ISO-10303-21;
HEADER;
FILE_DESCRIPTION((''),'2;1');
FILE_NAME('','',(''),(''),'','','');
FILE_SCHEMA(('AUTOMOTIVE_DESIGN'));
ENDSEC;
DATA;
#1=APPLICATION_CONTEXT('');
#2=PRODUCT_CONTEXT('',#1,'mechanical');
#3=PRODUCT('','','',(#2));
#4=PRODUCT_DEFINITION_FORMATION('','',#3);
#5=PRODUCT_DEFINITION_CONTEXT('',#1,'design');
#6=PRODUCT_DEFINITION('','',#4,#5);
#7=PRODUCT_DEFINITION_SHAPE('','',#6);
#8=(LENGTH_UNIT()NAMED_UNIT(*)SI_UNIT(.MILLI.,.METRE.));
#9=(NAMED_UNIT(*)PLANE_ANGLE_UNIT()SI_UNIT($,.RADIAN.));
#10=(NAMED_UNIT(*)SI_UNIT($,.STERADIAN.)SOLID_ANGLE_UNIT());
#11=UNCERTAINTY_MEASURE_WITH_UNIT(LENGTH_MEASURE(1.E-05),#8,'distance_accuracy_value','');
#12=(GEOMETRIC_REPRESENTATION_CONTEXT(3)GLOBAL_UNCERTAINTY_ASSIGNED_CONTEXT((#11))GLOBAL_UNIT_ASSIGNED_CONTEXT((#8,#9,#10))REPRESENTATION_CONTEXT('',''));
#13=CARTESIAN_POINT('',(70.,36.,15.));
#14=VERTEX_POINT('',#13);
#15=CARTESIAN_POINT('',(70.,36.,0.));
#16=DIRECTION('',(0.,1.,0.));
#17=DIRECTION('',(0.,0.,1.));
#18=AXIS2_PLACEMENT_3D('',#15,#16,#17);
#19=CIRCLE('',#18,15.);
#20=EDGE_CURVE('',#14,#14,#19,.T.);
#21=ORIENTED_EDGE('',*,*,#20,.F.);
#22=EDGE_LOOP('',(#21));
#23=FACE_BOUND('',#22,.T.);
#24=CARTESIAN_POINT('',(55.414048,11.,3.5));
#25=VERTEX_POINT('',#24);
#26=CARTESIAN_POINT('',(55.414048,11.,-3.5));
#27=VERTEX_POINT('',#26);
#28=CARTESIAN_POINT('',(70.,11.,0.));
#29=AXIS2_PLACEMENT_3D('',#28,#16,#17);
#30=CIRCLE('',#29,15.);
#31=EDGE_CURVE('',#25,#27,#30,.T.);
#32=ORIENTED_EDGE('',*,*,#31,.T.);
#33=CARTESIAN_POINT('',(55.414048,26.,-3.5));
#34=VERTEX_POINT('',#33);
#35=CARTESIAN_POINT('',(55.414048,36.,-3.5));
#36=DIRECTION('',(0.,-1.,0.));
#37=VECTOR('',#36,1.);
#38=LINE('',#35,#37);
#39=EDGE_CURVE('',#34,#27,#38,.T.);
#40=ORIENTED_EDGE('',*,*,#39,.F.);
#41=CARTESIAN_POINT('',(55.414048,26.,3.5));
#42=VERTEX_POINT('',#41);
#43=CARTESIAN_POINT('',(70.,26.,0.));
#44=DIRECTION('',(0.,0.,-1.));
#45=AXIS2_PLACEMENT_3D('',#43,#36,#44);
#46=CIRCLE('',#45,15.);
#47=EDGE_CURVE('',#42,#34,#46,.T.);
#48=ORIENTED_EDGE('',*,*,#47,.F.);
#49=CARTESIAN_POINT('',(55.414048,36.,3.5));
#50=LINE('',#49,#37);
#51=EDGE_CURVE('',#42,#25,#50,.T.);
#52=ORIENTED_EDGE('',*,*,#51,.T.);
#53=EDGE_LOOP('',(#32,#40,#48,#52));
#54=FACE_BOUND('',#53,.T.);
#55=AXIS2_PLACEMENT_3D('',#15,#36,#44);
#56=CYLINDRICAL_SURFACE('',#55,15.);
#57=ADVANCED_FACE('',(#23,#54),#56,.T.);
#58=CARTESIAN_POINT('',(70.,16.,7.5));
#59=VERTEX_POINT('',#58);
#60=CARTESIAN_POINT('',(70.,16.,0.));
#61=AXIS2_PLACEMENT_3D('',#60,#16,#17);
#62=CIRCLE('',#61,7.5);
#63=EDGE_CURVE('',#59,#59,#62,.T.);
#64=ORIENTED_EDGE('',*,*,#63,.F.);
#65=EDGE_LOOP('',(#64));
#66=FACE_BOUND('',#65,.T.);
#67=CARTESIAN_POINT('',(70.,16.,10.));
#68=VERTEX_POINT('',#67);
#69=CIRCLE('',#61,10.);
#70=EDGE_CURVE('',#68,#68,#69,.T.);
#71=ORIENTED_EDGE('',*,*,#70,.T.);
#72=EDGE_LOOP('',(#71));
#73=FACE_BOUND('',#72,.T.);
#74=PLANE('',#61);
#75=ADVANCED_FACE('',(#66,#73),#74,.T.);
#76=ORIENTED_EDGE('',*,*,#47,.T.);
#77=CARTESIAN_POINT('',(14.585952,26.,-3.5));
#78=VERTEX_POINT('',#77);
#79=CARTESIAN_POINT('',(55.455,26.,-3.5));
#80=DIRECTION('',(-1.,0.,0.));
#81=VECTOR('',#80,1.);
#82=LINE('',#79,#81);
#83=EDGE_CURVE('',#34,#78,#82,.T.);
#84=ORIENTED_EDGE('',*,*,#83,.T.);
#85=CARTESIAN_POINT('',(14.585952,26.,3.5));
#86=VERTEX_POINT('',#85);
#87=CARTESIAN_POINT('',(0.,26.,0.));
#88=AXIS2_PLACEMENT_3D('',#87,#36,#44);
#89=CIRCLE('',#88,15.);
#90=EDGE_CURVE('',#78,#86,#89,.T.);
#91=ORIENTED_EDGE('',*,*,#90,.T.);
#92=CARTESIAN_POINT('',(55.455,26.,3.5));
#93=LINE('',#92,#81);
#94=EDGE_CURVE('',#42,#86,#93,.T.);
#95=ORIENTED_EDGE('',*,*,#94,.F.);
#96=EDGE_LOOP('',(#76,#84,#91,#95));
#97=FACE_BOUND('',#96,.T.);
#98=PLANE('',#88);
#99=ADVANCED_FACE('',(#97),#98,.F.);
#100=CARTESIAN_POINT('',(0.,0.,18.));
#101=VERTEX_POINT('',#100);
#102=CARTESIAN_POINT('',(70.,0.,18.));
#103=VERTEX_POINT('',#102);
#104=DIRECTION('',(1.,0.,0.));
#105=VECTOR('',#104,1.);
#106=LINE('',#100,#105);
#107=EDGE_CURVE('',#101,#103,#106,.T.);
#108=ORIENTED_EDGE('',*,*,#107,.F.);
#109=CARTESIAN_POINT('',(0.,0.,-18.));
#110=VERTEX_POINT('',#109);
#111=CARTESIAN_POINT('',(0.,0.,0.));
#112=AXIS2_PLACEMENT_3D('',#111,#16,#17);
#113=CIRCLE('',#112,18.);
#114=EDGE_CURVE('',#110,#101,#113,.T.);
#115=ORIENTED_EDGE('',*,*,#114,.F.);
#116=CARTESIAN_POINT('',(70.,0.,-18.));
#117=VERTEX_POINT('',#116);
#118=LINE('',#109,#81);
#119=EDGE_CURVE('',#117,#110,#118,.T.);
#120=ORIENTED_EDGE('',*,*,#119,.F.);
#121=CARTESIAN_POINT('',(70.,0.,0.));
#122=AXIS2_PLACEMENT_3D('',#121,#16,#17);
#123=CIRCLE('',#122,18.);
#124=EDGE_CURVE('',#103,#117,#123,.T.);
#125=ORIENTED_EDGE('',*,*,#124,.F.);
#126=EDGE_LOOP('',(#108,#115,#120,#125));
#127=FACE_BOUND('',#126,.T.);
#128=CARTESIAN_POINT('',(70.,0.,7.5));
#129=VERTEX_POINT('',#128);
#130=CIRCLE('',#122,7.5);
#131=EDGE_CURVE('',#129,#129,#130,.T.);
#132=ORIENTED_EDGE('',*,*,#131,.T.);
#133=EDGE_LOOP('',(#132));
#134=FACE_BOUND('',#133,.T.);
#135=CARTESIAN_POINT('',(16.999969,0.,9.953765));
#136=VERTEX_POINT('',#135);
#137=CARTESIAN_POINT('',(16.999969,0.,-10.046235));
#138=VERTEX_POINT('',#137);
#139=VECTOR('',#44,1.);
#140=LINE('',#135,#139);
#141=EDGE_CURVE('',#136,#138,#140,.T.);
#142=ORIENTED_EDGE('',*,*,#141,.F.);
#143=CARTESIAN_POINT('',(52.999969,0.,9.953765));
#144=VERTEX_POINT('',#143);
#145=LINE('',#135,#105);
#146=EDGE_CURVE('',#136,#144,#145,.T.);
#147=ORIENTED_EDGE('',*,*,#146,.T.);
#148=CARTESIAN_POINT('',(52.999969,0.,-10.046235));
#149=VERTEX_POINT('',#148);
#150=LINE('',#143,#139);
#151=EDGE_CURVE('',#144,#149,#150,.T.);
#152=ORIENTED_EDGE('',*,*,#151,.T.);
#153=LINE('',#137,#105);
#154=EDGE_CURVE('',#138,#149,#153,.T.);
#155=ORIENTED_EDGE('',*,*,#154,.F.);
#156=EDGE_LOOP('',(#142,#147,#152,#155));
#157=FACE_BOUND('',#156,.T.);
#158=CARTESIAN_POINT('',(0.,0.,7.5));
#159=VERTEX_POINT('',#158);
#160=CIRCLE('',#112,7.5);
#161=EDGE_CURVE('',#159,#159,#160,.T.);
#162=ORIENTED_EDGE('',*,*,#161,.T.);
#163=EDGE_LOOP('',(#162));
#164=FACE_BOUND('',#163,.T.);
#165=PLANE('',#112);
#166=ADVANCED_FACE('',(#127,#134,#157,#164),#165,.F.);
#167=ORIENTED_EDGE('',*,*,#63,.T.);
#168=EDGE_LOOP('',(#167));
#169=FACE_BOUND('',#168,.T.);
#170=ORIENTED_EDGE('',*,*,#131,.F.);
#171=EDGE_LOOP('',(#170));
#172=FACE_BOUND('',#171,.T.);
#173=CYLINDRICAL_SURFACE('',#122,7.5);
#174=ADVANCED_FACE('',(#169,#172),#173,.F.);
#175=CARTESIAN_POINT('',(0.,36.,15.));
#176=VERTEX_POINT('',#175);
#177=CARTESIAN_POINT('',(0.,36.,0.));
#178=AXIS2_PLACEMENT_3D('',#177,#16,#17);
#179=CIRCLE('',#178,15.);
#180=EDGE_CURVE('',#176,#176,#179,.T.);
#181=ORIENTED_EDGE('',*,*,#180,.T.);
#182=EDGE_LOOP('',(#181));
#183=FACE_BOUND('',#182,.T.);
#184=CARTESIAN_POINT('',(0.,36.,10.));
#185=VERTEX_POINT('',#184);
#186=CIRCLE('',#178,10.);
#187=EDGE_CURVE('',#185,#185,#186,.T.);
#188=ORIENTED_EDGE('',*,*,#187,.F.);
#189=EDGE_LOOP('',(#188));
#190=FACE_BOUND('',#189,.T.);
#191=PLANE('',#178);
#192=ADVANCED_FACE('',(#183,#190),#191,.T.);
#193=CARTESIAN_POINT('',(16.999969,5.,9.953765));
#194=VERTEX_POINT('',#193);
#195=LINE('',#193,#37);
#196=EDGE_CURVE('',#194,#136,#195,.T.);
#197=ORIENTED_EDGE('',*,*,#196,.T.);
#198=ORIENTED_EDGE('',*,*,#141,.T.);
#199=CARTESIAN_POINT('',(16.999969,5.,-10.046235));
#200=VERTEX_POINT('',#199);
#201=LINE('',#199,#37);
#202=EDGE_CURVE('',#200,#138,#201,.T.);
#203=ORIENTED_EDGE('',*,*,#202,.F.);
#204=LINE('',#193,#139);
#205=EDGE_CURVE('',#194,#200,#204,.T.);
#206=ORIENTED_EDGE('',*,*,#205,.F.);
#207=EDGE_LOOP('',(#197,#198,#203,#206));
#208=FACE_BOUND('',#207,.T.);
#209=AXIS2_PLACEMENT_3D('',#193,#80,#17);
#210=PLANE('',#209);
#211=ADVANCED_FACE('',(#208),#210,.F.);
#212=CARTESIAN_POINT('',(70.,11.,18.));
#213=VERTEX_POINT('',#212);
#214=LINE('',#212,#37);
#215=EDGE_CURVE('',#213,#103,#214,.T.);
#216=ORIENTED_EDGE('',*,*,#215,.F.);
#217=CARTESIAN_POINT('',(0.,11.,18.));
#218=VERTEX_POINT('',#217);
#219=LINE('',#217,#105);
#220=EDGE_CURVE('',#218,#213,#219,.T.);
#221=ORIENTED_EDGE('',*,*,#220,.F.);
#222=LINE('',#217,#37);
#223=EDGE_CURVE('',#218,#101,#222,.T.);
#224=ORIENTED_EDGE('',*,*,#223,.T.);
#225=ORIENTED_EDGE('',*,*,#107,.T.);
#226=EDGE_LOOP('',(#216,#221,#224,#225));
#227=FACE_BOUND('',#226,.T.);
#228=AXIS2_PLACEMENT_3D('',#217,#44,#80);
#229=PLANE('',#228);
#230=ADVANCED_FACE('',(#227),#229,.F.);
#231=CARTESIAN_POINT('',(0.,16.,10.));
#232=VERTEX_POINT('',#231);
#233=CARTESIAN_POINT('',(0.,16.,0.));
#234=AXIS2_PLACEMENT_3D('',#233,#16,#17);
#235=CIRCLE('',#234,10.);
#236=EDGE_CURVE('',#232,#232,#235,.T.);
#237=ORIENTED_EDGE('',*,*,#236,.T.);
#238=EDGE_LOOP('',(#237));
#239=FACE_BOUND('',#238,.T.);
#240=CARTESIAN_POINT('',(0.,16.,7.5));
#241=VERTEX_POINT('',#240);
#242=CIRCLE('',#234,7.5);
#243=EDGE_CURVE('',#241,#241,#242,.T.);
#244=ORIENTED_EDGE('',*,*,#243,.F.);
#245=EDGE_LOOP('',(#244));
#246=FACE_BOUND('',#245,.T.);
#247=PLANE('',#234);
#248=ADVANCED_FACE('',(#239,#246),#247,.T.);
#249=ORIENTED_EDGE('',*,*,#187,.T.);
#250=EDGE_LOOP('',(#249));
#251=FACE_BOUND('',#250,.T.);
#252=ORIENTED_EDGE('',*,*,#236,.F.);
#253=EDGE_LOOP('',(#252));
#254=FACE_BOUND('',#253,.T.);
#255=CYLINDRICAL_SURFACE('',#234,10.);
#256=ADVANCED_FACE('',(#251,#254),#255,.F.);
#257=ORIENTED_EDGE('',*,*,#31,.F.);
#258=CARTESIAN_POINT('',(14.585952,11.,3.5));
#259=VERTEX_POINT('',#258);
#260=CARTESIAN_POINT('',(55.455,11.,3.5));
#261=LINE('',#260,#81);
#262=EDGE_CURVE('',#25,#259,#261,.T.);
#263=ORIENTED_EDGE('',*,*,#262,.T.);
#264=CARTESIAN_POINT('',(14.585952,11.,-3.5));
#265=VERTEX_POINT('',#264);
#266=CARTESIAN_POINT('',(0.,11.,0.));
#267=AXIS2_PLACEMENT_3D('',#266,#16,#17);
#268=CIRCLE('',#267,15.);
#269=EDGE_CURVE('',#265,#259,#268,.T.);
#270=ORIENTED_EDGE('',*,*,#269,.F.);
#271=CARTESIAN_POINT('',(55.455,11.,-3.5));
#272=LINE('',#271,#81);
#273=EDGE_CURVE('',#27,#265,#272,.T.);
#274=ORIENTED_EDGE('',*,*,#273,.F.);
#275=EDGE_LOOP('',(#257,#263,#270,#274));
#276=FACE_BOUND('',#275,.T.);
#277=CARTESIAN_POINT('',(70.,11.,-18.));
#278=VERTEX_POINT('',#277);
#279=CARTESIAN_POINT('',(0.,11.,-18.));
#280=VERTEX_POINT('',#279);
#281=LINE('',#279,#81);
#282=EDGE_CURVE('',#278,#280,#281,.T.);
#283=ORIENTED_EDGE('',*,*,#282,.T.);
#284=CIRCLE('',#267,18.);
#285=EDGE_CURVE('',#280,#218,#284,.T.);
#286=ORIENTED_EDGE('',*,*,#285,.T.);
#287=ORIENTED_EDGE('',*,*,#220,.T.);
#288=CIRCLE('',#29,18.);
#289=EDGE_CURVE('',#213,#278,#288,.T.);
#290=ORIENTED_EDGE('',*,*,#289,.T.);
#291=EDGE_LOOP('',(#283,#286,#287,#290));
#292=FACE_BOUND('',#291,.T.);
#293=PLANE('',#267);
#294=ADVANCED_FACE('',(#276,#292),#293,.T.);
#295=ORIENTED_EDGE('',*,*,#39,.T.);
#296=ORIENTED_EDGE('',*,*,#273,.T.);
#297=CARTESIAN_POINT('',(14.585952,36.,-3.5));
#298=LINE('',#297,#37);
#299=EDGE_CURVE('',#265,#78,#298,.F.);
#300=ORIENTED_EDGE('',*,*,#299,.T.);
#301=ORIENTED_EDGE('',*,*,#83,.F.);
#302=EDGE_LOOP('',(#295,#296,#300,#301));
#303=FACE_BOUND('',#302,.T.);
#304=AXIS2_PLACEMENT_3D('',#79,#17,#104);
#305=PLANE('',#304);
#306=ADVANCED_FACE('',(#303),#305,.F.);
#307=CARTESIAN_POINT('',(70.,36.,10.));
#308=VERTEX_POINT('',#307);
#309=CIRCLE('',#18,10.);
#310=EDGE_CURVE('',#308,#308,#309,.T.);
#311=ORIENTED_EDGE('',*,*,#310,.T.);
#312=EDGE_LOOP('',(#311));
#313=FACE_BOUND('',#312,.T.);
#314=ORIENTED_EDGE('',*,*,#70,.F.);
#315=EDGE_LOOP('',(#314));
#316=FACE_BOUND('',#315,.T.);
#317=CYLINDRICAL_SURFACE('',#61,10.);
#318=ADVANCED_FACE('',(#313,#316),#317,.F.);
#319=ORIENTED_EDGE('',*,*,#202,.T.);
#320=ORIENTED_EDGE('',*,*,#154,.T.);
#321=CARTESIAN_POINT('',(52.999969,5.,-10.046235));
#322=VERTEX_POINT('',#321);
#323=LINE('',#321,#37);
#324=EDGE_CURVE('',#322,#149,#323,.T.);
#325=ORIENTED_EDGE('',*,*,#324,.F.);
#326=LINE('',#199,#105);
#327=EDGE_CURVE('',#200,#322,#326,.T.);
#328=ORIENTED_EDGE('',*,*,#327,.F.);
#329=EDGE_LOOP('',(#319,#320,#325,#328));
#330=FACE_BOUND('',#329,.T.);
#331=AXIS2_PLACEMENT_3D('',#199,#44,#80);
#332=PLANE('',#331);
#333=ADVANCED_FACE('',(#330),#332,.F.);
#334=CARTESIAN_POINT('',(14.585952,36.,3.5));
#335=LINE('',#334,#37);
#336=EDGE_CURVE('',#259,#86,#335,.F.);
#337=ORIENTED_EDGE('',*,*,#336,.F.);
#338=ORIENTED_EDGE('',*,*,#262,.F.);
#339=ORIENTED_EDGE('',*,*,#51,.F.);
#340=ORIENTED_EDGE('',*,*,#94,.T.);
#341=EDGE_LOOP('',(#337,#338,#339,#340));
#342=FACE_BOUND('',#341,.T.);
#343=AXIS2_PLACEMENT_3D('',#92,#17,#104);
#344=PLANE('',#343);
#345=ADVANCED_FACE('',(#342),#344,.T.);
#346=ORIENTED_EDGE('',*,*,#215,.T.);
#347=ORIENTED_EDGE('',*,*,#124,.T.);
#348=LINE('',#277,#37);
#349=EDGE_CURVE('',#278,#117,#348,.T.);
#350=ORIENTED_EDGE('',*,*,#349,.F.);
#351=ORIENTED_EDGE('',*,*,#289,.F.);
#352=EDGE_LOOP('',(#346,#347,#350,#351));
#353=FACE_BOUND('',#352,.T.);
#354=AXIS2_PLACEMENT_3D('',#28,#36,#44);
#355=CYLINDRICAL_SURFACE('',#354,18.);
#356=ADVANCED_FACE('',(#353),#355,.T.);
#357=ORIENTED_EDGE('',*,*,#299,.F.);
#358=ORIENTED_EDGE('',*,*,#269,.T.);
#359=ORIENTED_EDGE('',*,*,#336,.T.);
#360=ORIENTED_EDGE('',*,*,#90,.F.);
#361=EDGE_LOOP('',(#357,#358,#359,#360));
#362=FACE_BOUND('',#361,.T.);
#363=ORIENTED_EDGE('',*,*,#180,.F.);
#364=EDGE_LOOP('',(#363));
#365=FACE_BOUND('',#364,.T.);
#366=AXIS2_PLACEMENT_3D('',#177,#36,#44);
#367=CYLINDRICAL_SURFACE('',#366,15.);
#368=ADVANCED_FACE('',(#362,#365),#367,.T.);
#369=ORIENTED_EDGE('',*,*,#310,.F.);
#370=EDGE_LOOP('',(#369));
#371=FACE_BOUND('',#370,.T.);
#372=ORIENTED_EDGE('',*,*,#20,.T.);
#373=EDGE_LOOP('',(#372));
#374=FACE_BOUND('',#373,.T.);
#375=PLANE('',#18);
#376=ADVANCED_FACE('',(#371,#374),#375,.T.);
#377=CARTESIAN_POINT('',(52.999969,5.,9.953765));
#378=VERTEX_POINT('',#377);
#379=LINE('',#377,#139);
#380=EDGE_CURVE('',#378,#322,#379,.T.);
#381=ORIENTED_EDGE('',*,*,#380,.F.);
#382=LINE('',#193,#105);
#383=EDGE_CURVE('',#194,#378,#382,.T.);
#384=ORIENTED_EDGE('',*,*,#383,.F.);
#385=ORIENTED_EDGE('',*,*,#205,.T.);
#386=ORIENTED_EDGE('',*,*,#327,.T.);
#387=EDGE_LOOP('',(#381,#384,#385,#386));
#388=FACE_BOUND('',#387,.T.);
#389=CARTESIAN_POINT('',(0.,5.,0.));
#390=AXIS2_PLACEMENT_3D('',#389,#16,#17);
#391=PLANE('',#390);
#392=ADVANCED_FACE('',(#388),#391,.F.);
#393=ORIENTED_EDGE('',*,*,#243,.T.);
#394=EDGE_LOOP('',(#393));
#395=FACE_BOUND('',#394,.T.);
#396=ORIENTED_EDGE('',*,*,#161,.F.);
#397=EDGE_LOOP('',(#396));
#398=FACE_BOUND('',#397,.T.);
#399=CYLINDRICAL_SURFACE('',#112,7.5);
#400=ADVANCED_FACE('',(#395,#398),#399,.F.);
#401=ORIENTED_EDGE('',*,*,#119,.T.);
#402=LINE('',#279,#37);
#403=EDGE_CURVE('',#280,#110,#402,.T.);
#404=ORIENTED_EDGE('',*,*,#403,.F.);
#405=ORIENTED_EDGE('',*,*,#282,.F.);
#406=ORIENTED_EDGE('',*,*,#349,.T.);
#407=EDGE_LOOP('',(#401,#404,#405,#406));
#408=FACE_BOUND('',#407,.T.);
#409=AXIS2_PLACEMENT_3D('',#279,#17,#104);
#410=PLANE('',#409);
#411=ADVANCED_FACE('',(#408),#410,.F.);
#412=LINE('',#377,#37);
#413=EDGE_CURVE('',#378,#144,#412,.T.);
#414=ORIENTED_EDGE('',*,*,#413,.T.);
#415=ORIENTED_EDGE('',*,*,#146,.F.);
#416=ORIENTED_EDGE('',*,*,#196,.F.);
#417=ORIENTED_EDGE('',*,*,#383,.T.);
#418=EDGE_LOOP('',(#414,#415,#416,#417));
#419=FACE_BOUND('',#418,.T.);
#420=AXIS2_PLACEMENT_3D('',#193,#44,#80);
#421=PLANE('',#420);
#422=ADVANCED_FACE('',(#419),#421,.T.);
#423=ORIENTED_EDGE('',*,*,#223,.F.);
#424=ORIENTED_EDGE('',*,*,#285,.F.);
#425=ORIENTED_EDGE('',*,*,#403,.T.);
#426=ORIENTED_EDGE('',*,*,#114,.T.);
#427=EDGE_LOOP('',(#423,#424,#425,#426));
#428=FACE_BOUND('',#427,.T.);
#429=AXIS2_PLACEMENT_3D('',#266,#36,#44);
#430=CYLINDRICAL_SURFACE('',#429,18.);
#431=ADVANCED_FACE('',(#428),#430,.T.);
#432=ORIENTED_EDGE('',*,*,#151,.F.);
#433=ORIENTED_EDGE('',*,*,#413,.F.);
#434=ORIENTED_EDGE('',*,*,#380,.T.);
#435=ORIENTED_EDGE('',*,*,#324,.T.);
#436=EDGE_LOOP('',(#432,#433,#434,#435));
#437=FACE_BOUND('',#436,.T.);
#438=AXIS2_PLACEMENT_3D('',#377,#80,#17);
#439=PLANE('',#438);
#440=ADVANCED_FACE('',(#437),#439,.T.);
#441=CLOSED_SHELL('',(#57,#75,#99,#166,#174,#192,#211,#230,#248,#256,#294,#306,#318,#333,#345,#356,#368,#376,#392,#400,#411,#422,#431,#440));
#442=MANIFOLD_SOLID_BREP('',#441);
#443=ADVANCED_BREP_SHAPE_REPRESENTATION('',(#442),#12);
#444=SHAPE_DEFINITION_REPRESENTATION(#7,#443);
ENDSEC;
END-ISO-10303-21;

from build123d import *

# Parameters (mm, degrees)
BOSS_EXTRUDE1_DEPTH = 11
SKETCH2_R           = 15
BOSS_EXTRUDE2_DEPTH = 25
SKETCH5_R           = 10
CUT_EXTRUDE1_DEPTH  = 20
SKETCH8_R           = 7.5
CUT_EXTRUDE2_DEPTH  = 93.021736563
SKETCH13_R          = 7.5
CUT_EXTRUDE3_DEPTH  = 93.021736563
SKETCH14_W          = 36
SKETCH14_H          = 20
CUT_EXTRUDE4_DEPTH  = 5
SKETCH18_W          = 40.91
SKETCH18_H          = 7
BOSS_EXTRUDE5_DEPTH = 15


with BuildPart() as part:
    # Sketch1 → Boss-Extrude1 (new body)
    with BuildSketch(Plane(origin=(0, 0, 0), x_dir=(1, 0, 0), z_dir=(0, 1, 0))):
        with BuildLine():
            Line((0, 18), (70, 18))
            ThreePointArc((70, 18), (88, 0), (70, -18))
            Line((70, -18), (0, -18))
            ThreePointArc((0, -18), (-18, 0), (0, 18))
        make_face()
    extrude(amount=BOSS_EXTRUDE1_DEPTH)

    # Sketch2 → Boss-Extrude2 (add)
    with BuildSketch(Plane(origin=(0, 11, 0), x_dir=(1, 0, 0), z_dir=(0, 1, 0))):
        with Locations(Location((0, 0, 0), (0, 0, 270))):
            Circle(SKETCH2_R)
        with Locations(Location((70, 0, 0), (0, 0, 270))):
            Circle(SKETCH2_R)
    extrude(amount=BOSS_EXTRUDE2_DEPTH)

    # Sketch5 → Cut-Extrude1 (cut)
    with BuildSketch(Plane(origin=(0, 36, 0), x_dir=(1, 0, 0), z_dir=(0, 1, 0))):
        with Locations(Location((70, 0, 0), (0, 0, 270))):
            Circle(SKETCH5_R)
        with Locations(Location((0, 0, 0), (0, 0, 270))):
            Circle(SKETCH5_R)
    extrude(amount=-CUT_EXTRUDE1_DEPTH, mode=Mode.SUBTRACT)

    # Sketch8 → Cut-Extrude2 (cut, through all)
    with BuildSketch(Plane(origin=(0, 16, 0), x_dir=(1, 0, 0), z_dir=(0, 1, 0))):
        with Locations(Location((0, 0, 0), (0, 0, 270))):
            Circle(SKETCH8_R)
    extrude(amount=-CUT_EXTRUDE2_DEPTH, mode=Mode.SUBTRACT)

    # Sketch13 → Cut-Extrude3 (cut, through all)
    with BuildSketch(Plane(origin=(0, 16, 0), x_dir=(1, 0, 0), z_dir=(0, 1, 0))):
        with Locations(Location((70, 0, 0), (0, 0, 270))):
            Circle(SKETCH13_R)
    extrude(amount=-CUT_EXTRUDE3_DEPTH, mode=Mode.SUBTRACT)

    # Sketch14 → Cut-Extrude4 (cut)
    with BuildSketch(Plane.XZ):
        with Locations((34.999969462, -0.04623456)):
            Rectangle(SKETCH14_W, SKETCH14_H)
    extrude(amount=-CUT_EXTRUDE4_DEPTH, mode=Mode.SUBTRACT)

    # Sketch18 → Boss-Extrude5 (add)
    with BuildSketch(Plane(origin=(0, 11, 0), x_dir=(1, 0, 0), z_dir=(0, 1, 0))):
        with Locations((35, 0)):
            Rectangle(SKETCH18_W, SKETCH18_H)
    extrude(amount=BOSS_EXTRUDE5_DEPTH)


solid = part.part
